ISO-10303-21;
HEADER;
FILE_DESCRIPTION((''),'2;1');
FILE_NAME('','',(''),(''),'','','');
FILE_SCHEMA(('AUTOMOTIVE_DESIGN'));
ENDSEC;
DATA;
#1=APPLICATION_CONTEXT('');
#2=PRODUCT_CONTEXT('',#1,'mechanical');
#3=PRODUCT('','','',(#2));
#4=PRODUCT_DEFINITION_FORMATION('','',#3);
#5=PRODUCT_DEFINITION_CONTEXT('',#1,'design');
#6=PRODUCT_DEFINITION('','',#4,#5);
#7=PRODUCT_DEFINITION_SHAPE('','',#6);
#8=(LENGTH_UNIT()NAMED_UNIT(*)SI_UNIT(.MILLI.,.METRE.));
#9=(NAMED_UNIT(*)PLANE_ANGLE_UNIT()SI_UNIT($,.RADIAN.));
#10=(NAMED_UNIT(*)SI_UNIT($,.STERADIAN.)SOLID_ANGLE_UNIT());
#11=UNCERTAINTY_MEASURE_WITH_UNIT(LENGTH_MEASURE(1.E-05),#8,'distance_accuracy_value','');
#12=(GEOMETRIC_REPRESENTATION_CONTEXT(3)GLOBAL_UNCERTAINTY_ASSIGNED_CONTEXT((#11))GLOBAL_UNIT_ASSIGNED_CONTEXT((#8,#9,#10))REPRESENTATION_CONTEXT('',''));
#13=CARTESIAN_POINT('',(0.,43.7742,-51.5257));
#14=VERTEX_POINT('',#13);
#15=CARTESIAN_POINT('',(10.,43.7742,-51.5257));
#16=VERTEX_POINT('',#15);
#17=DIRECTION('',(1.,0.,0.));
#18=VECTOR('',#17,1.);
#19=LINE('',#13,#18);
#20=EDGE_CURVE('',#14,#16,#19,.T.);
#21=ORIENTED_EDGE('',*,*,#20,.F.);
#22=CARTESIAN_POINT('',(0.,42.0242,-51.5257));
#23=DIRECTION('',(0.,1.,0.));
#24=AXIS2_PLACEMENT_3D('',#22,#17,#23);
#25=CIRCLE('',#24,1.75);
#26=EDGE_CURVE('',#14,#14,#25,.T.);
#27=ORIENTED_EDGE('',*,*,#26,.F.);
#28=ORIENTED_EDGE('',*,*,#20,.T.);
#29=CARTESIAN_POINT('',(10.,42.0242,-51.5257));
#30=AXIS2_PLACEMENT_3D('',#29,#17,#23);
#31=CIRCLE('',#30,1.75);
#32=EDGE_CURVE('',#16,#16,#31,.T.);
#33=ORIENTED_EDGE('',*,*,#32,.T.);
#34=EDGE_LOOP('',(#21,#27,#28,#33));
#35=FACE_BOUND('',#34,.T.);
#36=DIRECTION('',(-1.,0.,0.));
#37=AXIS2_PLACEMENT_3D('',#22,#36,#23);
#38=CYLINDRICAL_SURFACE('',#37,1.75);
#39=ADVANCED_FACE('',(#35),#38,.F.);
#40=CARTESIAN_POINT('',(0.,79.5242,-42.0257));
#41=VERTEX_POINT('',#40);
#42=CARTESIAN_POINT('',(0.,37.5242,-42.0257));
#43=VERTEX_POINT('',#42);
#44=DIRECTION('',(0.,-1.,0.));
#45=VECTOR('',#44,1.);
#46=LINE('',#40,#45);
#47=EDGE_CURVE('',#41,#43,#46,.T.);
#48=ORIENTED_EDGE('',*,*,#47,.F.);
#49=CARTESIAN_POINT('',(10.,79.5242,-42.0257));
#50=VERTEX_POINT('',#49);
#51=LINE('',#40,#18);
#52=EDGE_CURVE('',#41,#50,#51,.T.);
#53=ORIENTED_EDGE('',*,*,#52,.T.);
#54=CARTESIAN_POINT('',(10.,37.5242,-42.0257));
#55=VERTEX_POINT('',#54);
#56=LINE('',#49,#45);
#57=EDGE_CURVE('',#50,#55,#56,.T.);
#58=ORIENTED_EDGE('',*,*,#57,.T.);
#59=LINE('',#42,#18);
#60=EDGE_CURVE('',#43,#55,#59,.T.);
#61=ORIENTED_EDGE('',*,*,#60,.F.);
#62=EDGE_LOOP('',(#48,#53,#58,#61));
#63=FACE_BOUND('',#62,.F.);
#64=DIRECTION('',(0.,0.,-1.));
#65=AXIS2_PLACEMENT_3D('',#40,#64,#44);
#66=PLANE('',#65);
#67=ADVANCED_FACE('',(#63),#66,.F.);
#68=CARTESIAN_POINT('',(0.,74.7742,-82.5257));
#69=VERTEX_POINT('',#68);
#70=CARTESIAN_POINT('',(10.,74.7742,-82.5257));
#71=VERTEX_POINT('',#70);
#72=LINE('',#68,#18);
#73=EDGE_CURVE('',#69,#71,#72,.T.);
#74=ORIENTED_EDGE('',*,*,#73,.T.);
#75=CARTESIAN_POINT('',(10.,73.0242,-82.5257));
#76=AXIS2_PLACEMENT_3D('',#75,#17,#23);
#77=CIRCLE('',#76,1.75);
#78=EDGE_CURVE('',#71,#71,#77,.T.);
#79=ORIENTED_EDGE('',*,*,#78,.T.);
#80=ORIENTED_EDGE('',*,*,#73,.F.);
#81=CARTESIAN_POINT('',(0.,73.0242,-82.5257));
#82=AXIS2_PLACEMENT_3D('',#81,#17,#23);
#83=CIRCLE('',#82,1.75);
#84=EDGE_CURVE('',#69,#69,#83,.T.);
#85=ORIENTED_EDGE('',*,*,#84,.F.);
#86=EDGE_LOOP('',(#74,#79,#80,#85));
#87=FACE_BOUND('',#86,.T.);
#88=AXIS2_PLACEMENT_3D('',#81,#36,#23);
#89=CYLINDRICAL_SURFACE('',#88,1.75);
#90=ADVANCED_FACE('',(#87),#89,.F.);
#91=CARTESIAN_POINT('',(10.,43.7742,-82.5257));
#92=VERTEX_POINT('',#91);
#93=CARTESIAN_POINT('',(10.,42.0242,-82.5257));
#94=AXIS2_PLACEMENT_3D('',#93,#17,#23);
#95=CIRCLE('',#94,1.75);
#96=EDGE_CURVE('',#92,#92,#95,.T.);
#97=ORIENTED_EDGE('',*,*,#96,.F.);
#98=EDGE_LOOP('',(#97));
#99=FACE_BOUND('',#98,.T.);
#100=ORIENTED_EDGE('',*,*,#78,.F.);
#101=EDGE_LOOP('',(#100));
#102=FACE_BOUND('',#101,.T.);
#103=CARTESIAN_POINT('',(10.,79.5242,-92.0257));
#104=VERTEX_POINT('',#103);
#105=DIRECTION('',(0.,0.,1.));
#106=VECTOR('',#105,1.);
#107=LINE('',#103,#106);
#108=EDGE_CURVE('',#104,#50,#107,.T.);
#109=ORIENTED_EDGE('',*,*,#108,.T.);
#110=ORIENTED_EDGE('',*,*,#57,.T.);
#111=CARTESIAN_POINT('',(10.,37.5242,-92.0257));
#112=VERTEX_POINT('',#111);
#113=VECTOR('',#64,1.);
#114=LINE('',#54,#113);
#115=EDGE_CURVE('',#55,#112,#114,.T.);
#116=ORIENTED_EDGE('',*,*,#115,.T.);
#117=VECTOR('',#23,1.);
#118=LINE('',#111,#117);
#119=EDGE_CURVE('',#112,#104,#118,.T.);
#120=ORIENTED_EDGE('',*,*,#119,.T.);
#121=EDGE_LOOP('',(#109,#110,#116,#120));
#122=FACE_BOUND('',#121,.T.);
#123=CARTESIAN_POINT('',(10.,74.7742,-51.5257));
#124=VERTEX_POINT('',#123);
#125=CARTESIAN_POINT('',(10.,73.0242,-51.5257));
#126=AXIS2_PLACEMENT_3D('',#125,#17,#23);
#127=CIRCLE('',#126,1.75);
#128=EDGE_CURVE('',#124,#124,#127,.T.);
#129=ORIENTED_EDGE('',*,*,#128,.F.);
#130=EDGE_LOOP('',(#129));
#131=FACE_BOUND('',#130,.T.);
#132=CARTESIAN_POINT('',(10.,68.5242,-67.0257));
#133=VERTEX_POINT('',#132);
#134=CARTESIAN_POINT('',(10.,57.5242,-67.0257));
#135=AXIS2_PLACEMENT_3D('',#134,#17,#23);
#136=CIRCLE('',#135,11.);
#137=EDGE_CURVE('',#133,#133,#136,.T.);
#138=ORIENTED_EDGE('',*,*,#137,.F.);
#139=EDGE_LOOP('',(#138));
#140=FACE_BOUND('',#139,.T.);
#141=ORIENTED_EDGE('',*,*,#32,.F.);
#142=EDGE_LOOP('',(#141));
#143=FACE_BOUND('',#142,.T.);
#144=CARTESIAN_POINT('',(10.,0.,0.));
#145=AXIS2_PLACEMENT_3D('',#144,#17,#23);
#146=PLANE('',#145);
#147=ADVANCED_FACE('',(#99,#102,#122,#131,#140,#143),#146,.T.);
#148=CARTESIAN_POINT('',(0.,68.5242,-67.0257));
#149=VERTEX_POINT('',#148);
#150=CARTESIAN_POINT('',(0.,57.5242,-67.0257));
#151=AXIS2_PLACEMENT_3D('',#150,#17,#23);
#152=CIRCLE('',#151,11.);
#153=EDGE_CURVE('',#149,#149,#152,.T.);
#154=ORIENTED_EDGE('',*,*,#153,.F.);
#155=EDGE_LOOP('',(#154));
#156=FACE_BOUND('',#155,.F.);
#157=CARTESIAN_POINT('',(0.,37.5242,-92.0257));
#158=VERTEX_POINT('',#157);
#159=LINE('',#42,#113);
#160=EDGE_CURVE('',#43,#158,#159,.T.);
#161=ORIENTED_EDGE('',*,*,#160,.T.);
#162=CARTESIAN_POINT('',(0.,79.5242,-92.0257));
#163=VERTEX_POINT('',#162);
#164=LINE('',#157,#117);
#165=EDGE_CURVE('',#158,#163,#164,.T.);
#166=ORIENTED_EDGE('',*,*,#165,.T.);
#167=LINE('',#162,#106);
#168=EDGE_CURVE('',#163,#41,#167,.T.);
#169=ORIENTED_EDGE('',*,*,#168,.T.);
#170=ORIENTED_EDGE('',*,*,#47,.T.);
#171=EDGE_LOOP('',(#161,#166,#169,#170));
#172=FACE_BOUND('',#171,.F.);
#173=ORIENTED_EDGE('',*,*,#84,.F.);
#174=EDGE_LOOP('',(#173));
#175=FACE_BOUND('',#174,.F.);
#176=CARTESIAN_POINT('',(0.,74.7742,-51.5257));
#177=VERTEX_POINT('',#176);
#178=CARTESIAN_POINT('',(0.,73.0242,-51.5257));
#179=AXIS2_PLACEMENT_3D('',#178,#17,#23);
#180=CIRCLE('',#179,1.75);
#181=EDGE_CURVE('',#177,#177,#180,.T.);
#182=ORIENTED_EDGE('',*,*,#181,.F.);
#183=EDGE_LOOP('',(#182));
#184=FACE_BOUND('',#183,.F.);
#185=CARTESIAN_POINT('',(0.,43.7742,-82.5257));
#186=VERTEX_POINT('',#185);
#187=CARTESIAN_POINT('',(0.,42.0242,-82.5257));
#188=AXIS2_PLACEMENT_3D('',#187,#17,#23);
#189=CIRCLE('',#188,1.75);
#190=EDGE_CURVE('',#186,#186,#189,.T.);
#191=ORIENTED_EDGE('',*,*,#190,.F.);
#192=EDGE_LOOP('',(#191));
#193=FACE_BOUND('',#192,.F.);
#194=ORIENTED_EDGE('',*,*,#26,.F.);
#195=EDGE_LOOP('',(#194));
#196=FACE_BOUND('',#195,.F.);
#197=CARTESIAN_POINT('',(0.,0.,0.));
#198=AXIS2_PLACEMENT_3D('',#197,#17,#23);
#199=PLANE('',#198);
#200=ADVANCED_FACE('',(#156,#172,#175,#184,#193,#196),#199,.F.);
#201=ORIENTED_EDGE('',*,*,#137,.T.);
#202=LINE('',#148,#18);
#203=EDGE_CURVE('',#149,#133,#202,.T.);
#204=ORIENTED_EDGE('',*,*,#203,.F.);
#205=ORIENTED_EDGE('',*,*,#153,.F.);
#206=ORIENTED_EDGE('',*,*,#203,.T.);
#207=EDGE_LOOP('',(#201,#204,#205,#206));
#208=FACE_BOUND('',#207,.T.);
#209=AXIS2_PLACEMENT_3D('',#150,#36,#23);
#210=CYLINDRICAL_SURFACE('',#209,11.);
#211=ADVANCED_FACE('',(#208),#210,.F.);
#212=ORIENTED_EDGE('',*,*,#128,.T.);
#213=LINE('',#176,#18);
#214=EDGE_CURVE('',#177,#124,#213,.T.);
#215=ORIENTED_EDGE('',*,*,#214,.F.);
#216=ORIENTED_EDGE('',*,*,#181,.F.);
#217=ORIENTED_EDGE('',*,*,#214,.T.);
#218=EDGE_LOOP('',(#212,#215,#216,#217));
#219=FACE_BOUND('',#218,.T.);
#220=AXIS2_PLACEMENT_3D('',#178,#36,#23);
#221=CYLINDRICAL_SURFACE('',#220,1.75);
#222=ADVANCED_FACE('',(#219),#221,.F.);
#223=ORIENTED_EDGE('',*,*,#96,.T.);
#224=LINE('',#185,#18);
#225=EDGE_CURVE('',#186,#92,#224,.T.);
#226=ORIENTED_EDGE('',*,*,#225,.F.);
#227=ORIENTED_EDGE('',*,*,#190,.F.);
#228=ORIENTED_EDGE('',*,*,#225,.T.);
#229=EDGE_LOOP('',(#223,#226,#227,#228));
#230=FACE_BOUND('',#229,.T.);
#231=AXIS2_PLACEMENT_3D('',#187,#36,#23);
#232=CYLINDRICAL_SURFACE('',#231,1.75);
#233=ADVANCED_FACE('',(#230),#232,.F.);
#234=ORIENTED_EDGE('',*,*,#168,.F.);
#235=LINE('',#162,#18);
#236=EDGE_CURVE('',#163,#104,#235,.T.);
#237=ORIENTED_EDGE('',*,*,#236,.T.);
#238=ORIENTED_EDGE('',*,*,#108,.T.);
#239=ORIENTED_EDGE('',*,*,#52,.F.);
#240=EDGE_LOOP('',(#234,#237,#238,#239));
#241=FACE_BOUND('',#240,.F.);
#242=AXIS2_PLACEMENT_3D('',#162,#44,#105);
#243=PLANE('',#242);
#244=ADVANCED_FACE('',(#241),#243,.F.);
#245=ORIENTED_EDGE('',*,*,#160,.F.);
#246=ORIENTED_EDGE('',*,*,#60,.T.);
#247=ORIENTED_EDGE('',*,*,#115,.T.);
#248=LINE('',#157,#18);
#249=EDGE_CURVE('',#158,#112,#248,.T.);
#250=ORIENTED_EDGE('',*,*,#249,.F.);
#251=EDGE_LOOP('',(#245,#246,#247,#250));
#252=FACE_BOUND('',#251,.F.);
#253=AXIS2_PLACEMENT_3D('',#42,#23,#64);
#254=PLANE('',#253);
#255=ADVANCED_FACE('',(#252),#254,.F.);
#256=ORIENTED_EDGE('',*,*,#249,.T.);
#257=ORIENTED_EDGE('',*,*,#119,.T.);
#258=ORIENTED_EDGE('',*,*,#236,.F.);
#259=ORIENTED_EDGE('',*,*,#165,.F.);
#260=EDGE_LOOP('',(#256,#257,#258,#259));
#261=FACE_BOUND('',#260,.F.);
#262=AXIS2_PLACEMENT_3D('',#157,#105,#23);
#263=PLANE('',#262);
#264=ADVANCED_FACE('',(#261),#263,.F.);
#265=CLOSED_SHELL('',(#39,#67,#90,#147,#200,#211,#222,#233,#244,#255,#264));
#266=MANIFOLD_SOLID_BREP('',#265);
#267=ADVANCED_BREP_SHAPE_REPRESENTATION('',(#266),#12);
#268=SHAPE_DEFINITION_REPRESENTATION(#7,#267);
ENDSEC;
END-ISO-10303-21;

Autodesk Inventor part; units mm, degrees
ref_plane "YZ Plane" through (0, 0, 0) normal (1, 0, 0) x (0, 1, 0)
ref_plane "XZ Plane" through (0, 0, 0) normal (0, 1, 0) x (-1, 0, 0)
ref_plane "XY Plane" through (0, 0, 0) normal (0, 0, 1) x (1, 0, 0)
sketch "Schizzo1" plane through (0, 0, 0) normal (1, 0, 0) x (0, 1, 0)
  circle A0 centre (57.5242, -67.0257) radius 11
  line L0 (37.5242, -92.0257) -> (79.5242, -92.0257)
  line L1 (79.5242, -92.0257) -> (79.5242, -42.0257)
  line L2 (79.5242, -42.0257) -> (37.5242, -42.0257)
  line L3 (37.5242, -42.0257) -> (37.5242, -92.0257)
  circle A1 centre (42.0242, -82.5257) radius 1.75
  circle A2 centre (42.0242, -51.5257) radius 1.75
  circle A3 centre (73.0242, -51.5257) radius 1.75
  circle A4 centre (73.0242, -82.5257) radius 1.75
  point P0 (0, 0)
  point P1 (79.5242, -67.0257)
  dimension "d0" = 22
  dimension "d1" = 42
  dimension "d2" = 50
  dimension "d4" = 31
  dimension "d5" = 31
  dimension "d6" = 15.5
  dimension "d7" = 31
  dimension "d8" = 31
  dimension "d9" = 0
  dimension "d10" = 15.5
  dimension "d11" = 0
  dimension "d12" = 3.5
  dimension "d13" = 3.5
  dimension "d14" = 3.5
  dimension "d15" = 3.5
  dimension "d16" = 22
  dimension "d17" = 25
extrude "Estrusione1" add sketch "Schizzo1" along normal blind 10
equation "\"d5\" = d4"
equation "\"d6\" = 0.5 * d4"
equation "\"d7\" = d4"
equation "\"d8\" = d4"
equation "\"d10\" = 0.5 * d4"
equation "\"d13\" = d12"
equation "\"d14\" = d12"
equation "\"d15\" = d12"
equation "\"d17\" = 0.5 * d2"
properties part number "staffa motore"
